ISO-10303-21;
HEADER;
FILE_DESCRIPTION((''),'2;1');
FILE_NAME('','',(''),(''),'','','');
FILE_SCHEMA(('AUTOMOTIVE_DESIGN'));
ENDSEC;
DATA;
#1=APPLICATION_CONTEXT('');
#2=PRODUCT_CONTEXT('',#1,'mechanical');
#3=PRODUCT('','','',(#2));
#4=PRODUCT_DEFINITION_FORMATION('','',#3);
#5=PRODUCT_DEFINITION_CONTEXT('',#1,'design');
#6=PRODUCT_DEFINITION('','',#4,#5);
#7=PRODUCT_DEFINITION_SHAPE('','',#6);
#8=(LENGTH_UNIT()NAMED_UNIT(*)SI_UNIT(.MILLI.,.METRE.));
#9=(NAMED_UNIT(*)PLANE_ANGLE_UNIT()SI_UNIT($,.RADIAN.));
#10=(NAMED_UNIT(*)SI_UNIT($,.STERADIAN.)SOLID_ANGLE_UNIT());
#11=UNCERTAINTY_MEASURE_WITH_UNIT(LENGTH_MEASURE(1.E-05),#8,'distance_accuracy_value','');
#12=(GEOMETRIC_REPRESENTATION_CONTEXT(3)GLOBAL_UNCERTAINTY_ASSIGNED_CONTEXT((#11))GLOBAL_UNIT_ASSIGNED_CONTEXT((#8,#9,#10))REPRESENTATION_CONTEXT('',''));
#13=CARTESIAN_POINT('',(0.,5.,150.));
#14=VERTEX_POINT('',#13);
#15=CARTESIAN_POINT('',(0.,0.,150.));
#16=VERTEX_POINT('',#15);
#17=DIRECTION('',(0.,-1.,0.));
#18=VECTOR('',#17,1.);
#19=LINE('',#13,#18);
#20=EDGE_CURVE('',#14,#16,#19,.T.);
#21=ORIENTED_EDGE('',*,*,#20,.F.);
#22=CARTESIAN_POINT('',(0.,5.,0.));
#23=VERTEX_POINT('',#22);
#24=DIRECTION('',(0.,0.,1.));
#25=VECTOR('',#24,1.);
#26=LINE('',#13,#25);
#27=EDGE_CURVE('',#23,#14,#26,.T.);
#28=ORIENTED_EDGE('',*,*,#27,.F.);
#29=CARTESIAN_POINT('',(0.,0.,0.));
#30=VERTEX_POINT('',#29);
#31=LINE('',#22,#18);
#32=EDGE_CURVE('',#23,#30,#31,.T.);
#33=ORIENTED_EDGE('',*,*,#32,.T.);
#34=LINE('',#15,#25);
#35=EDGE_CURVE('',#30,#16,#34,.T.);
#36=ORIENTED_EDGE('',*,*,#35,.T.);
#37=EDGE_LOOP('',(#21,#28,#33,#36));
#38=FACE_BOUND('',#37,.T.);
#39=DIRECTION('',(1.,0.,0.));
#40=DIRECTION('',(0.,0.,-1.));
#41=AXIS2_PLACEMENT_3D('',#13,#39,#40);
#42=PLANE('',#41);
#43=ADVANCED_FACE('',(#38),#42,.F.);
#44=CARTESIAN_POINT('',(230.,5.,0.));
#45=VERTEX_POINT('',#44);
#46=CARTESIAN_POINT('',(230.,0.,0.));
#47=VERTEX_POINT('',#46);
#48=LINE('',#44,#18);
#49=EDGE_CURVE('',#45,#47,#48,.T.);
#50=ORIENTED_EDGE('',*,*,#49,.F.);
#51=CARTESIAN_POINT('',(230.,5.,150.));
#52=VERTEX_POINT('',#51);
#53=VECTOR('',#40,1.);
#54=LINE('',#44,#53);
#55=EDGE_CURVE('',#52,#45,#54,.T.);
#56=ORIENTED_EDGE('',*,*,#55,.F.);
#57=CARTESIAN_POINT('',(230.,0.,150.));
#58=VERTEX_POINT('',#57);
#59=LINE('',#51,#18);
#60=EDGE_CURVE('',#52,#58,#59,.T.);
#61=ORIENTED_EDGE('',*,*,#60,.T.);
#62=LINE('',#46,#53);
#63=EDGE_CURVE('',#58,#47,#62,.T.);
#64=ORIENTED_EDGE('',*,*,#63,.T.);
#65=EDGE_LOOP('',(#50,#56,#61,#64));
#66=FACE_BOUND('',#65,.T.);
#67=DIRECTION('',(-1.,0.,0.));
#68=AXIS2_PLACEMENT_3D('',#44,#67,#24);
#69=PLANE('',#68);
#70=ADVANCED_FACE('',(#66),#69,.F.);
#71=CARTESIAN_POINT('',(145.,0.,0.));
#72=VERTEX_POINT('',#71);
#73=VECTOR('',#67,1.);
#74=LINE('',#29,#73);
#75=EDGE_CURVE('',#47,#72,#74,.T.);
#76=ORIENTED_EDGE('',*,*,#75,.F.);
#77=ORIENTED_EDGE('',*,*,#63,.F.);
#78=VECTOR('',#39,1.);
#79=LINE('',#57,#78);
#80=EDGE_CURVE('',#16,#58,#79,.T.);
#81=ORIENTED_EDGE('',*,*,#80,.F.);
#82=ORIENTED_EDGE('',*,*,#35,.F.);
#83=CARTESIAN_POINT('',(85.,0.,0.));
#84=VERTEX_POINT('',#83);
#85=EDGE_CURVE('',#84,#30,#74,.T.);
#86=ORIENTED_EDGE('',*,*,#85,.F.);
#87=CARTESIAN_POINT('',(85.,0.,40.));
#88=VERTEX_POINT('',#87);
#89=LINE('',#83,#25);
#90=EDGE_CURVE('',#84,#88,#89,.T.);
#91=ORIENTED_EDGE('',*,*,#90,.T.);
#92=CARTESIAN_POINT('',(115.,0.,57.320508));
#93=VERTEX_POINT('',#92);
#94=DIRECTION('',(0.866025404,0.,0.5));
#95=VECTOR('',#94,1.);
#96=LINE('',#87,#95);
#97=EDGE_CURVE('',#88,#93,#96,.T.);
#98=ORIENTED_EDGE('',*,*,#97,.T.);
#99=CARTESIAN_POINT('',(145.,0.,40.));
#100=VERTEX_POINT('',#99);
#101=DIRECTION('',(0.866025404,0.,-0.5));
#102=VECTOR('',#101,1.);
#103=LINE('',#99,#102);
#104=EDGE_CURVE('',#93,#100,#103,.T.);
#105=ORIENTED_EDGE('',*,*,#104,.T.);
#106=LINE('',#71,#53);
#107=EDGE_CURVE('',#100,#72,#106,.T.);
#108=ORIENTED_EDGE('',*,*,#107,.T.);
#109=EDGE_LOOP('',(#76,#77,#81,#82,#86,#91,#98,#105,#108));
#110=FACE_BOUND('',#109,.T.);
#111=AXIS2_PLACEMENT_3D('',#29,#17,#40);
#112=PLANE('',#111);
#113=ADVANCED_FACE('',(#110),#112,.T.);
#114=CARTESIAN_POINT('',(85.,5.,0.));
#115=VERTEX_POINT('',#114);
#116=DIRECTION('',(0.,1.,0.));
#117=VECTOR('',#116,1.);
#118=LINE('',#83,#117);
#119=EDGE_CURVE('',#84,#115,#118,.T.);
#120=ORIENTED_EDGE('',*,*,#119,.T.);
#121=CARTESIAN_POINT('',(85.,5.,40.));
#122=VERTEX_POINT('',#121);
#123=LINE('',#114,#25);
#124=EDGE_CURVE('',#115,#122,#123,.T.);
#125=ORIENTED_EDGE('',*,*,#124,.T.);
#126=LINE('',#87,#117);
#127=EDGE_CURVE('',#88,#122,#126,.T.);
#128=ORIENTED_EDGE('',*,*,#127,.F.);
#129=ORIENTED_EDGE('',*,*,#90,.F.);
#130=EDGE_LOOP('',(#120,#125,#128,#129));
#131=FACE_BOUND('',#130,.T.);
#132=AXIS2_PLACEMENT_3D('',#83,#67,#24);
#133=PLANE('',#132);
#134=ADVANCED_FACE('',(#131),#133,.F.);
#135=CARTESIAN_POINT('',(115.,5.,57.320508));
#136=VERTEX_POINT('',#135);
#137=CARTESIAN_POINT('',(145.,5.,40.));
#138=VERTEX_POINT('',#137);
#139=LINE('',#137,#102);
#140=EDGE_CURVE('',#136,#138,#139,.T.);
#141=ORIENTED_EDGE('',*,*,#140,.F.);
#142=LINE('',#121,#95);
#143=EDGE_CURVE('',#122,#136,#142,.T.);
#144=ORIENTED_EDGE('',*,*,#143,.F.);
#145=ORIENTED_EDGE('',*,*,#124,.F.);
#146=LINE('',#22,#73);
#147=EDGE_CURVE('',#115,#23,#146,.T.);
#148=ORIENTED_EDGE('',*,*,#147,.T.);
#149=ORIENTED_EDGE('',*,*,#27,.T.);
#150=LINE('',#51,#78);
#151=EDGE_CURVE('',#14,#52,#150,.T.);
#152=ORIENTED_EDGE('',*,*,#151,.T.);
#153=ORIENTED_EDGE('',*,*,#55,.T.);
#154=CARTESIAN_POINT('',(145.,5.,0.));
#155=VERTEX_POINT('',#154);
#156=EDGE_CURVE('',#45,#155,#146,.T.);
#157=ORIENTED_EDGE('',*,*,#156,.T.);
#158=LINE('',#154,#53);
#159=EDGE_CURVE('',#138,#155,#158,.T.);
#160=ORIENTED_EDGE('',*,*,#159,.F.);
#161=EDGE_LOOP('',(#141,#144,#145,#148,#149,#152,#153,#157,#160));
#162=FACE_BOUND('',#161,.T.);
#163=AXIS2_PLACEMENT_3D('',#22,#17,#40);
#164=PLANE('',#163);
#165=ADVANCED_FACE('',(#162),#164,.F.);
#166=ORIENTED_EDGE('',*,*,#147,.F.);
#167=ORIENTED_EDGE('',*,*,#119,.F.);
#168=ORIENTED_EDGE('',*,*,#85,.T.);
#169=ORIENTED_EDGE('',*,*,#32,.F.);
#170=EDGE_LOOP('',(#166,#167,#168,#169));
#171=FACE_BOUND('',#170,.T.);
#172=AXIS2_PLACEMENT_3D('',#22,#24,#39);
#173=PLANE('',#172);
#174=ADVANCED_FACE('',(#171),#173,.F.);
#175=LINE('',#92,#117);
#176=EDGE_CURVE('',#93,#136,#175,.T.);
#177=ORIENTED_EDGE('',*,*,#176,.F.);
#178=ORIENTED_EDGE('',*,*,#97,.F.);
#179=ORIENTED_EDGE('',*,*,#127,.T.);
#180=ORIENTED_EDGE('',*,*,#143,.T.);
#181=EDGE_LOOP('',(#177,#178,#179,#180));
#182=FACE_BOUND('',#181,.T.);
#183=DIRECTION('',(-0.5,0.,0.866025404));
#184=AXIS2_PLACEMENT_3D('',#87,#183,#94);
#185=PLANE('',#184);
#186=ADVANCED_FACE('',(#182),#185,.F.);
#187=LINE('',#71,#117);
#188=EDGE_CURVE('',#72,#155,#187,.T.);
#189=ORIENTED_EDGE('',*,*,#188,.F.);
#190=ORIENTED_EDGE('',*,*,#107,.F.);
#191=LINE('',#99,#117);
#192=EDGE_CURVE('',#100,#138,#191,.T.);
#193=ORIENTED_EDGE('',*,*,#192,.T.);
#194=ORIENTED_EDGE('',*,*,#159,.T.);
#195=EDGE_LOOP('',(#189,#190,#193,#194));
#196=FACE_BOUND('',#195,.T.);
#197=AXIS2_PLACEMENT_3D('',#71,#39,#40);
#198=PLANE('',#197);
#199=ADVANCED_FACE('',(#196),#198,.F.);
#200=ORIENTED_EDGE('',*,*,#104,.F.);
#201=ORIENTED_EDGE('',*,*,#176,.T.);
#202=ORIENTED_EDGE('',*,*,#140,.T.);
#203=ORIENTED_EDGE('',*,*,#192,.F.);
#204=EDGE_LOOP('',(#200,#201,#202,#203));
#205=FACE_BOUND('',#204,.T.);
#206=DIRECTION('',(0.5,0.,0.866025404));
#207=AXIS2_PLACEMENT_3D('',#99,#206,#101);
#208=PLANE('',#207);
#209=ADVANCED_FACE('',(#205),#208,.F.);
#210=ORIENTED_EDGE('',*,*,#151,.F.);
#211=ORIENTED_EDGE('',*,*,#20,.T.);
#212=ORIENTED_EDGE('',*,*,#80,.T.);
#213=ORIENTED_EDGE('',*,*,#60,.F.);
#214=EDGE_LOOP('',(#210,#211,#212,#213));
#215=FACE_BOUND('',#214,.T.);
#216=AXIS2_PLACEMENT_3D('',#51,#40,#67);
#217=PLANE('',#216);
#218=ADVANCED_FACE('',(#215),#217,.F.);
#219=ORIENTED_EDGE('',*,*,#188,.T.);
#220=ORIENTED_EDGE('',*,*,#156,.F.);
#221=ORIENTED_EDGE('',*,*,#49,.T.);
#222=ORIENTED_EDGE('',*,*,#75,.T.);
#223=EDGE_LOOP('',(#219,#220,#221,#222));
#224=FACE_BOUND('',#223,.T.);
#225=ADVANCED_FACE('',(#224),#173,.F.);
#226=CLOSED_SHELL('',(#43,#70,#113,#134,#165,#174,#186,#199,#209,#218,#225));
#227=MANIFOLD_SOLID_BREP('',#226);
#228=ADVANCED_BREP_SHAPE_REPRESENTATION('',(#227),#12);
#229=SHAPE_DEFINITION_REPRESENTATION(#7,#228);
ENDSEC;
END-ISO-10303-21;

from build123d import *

# Parameters (mm, degrees)
SKETCH1_W           = 230
SKETCH1_H           = 150
BOSS_EXTRUDE1_DEPTH = 5
CUT_EXTRUDE1_DEPTH  = 275.636122897


with BuildPart() as part:
    # Sketch1 → Boss-Extrude1 (new body)
    with BuildSketch(Plane(origin=(0, 0, 0), x_dir=(1, 0, 0), z_dir=(0, 1, 0))):
        with Locations((115, -75)):
            Rectangle(SKETCH1_W, SKETCH1_H)
    extrude(amount=BOSS_EXTRUDE1_DEPTH)

    # Sketch2 → Cut-Extrude1 (cut, through all)
    with BuildSketch(Plane(origin=(0, 5, 0), x_dir=(1, 0, 0), z_dir=(0, 1, 0))):
        Polygon((145, 0), (85, 0), (85, -40), (115, -57.320508076), (145, -40), align=None)
    extrude(amount=-CUT_EXTRUDE1_DEPTH, mode=Mode.SUBTRACT)


solid = part.part
